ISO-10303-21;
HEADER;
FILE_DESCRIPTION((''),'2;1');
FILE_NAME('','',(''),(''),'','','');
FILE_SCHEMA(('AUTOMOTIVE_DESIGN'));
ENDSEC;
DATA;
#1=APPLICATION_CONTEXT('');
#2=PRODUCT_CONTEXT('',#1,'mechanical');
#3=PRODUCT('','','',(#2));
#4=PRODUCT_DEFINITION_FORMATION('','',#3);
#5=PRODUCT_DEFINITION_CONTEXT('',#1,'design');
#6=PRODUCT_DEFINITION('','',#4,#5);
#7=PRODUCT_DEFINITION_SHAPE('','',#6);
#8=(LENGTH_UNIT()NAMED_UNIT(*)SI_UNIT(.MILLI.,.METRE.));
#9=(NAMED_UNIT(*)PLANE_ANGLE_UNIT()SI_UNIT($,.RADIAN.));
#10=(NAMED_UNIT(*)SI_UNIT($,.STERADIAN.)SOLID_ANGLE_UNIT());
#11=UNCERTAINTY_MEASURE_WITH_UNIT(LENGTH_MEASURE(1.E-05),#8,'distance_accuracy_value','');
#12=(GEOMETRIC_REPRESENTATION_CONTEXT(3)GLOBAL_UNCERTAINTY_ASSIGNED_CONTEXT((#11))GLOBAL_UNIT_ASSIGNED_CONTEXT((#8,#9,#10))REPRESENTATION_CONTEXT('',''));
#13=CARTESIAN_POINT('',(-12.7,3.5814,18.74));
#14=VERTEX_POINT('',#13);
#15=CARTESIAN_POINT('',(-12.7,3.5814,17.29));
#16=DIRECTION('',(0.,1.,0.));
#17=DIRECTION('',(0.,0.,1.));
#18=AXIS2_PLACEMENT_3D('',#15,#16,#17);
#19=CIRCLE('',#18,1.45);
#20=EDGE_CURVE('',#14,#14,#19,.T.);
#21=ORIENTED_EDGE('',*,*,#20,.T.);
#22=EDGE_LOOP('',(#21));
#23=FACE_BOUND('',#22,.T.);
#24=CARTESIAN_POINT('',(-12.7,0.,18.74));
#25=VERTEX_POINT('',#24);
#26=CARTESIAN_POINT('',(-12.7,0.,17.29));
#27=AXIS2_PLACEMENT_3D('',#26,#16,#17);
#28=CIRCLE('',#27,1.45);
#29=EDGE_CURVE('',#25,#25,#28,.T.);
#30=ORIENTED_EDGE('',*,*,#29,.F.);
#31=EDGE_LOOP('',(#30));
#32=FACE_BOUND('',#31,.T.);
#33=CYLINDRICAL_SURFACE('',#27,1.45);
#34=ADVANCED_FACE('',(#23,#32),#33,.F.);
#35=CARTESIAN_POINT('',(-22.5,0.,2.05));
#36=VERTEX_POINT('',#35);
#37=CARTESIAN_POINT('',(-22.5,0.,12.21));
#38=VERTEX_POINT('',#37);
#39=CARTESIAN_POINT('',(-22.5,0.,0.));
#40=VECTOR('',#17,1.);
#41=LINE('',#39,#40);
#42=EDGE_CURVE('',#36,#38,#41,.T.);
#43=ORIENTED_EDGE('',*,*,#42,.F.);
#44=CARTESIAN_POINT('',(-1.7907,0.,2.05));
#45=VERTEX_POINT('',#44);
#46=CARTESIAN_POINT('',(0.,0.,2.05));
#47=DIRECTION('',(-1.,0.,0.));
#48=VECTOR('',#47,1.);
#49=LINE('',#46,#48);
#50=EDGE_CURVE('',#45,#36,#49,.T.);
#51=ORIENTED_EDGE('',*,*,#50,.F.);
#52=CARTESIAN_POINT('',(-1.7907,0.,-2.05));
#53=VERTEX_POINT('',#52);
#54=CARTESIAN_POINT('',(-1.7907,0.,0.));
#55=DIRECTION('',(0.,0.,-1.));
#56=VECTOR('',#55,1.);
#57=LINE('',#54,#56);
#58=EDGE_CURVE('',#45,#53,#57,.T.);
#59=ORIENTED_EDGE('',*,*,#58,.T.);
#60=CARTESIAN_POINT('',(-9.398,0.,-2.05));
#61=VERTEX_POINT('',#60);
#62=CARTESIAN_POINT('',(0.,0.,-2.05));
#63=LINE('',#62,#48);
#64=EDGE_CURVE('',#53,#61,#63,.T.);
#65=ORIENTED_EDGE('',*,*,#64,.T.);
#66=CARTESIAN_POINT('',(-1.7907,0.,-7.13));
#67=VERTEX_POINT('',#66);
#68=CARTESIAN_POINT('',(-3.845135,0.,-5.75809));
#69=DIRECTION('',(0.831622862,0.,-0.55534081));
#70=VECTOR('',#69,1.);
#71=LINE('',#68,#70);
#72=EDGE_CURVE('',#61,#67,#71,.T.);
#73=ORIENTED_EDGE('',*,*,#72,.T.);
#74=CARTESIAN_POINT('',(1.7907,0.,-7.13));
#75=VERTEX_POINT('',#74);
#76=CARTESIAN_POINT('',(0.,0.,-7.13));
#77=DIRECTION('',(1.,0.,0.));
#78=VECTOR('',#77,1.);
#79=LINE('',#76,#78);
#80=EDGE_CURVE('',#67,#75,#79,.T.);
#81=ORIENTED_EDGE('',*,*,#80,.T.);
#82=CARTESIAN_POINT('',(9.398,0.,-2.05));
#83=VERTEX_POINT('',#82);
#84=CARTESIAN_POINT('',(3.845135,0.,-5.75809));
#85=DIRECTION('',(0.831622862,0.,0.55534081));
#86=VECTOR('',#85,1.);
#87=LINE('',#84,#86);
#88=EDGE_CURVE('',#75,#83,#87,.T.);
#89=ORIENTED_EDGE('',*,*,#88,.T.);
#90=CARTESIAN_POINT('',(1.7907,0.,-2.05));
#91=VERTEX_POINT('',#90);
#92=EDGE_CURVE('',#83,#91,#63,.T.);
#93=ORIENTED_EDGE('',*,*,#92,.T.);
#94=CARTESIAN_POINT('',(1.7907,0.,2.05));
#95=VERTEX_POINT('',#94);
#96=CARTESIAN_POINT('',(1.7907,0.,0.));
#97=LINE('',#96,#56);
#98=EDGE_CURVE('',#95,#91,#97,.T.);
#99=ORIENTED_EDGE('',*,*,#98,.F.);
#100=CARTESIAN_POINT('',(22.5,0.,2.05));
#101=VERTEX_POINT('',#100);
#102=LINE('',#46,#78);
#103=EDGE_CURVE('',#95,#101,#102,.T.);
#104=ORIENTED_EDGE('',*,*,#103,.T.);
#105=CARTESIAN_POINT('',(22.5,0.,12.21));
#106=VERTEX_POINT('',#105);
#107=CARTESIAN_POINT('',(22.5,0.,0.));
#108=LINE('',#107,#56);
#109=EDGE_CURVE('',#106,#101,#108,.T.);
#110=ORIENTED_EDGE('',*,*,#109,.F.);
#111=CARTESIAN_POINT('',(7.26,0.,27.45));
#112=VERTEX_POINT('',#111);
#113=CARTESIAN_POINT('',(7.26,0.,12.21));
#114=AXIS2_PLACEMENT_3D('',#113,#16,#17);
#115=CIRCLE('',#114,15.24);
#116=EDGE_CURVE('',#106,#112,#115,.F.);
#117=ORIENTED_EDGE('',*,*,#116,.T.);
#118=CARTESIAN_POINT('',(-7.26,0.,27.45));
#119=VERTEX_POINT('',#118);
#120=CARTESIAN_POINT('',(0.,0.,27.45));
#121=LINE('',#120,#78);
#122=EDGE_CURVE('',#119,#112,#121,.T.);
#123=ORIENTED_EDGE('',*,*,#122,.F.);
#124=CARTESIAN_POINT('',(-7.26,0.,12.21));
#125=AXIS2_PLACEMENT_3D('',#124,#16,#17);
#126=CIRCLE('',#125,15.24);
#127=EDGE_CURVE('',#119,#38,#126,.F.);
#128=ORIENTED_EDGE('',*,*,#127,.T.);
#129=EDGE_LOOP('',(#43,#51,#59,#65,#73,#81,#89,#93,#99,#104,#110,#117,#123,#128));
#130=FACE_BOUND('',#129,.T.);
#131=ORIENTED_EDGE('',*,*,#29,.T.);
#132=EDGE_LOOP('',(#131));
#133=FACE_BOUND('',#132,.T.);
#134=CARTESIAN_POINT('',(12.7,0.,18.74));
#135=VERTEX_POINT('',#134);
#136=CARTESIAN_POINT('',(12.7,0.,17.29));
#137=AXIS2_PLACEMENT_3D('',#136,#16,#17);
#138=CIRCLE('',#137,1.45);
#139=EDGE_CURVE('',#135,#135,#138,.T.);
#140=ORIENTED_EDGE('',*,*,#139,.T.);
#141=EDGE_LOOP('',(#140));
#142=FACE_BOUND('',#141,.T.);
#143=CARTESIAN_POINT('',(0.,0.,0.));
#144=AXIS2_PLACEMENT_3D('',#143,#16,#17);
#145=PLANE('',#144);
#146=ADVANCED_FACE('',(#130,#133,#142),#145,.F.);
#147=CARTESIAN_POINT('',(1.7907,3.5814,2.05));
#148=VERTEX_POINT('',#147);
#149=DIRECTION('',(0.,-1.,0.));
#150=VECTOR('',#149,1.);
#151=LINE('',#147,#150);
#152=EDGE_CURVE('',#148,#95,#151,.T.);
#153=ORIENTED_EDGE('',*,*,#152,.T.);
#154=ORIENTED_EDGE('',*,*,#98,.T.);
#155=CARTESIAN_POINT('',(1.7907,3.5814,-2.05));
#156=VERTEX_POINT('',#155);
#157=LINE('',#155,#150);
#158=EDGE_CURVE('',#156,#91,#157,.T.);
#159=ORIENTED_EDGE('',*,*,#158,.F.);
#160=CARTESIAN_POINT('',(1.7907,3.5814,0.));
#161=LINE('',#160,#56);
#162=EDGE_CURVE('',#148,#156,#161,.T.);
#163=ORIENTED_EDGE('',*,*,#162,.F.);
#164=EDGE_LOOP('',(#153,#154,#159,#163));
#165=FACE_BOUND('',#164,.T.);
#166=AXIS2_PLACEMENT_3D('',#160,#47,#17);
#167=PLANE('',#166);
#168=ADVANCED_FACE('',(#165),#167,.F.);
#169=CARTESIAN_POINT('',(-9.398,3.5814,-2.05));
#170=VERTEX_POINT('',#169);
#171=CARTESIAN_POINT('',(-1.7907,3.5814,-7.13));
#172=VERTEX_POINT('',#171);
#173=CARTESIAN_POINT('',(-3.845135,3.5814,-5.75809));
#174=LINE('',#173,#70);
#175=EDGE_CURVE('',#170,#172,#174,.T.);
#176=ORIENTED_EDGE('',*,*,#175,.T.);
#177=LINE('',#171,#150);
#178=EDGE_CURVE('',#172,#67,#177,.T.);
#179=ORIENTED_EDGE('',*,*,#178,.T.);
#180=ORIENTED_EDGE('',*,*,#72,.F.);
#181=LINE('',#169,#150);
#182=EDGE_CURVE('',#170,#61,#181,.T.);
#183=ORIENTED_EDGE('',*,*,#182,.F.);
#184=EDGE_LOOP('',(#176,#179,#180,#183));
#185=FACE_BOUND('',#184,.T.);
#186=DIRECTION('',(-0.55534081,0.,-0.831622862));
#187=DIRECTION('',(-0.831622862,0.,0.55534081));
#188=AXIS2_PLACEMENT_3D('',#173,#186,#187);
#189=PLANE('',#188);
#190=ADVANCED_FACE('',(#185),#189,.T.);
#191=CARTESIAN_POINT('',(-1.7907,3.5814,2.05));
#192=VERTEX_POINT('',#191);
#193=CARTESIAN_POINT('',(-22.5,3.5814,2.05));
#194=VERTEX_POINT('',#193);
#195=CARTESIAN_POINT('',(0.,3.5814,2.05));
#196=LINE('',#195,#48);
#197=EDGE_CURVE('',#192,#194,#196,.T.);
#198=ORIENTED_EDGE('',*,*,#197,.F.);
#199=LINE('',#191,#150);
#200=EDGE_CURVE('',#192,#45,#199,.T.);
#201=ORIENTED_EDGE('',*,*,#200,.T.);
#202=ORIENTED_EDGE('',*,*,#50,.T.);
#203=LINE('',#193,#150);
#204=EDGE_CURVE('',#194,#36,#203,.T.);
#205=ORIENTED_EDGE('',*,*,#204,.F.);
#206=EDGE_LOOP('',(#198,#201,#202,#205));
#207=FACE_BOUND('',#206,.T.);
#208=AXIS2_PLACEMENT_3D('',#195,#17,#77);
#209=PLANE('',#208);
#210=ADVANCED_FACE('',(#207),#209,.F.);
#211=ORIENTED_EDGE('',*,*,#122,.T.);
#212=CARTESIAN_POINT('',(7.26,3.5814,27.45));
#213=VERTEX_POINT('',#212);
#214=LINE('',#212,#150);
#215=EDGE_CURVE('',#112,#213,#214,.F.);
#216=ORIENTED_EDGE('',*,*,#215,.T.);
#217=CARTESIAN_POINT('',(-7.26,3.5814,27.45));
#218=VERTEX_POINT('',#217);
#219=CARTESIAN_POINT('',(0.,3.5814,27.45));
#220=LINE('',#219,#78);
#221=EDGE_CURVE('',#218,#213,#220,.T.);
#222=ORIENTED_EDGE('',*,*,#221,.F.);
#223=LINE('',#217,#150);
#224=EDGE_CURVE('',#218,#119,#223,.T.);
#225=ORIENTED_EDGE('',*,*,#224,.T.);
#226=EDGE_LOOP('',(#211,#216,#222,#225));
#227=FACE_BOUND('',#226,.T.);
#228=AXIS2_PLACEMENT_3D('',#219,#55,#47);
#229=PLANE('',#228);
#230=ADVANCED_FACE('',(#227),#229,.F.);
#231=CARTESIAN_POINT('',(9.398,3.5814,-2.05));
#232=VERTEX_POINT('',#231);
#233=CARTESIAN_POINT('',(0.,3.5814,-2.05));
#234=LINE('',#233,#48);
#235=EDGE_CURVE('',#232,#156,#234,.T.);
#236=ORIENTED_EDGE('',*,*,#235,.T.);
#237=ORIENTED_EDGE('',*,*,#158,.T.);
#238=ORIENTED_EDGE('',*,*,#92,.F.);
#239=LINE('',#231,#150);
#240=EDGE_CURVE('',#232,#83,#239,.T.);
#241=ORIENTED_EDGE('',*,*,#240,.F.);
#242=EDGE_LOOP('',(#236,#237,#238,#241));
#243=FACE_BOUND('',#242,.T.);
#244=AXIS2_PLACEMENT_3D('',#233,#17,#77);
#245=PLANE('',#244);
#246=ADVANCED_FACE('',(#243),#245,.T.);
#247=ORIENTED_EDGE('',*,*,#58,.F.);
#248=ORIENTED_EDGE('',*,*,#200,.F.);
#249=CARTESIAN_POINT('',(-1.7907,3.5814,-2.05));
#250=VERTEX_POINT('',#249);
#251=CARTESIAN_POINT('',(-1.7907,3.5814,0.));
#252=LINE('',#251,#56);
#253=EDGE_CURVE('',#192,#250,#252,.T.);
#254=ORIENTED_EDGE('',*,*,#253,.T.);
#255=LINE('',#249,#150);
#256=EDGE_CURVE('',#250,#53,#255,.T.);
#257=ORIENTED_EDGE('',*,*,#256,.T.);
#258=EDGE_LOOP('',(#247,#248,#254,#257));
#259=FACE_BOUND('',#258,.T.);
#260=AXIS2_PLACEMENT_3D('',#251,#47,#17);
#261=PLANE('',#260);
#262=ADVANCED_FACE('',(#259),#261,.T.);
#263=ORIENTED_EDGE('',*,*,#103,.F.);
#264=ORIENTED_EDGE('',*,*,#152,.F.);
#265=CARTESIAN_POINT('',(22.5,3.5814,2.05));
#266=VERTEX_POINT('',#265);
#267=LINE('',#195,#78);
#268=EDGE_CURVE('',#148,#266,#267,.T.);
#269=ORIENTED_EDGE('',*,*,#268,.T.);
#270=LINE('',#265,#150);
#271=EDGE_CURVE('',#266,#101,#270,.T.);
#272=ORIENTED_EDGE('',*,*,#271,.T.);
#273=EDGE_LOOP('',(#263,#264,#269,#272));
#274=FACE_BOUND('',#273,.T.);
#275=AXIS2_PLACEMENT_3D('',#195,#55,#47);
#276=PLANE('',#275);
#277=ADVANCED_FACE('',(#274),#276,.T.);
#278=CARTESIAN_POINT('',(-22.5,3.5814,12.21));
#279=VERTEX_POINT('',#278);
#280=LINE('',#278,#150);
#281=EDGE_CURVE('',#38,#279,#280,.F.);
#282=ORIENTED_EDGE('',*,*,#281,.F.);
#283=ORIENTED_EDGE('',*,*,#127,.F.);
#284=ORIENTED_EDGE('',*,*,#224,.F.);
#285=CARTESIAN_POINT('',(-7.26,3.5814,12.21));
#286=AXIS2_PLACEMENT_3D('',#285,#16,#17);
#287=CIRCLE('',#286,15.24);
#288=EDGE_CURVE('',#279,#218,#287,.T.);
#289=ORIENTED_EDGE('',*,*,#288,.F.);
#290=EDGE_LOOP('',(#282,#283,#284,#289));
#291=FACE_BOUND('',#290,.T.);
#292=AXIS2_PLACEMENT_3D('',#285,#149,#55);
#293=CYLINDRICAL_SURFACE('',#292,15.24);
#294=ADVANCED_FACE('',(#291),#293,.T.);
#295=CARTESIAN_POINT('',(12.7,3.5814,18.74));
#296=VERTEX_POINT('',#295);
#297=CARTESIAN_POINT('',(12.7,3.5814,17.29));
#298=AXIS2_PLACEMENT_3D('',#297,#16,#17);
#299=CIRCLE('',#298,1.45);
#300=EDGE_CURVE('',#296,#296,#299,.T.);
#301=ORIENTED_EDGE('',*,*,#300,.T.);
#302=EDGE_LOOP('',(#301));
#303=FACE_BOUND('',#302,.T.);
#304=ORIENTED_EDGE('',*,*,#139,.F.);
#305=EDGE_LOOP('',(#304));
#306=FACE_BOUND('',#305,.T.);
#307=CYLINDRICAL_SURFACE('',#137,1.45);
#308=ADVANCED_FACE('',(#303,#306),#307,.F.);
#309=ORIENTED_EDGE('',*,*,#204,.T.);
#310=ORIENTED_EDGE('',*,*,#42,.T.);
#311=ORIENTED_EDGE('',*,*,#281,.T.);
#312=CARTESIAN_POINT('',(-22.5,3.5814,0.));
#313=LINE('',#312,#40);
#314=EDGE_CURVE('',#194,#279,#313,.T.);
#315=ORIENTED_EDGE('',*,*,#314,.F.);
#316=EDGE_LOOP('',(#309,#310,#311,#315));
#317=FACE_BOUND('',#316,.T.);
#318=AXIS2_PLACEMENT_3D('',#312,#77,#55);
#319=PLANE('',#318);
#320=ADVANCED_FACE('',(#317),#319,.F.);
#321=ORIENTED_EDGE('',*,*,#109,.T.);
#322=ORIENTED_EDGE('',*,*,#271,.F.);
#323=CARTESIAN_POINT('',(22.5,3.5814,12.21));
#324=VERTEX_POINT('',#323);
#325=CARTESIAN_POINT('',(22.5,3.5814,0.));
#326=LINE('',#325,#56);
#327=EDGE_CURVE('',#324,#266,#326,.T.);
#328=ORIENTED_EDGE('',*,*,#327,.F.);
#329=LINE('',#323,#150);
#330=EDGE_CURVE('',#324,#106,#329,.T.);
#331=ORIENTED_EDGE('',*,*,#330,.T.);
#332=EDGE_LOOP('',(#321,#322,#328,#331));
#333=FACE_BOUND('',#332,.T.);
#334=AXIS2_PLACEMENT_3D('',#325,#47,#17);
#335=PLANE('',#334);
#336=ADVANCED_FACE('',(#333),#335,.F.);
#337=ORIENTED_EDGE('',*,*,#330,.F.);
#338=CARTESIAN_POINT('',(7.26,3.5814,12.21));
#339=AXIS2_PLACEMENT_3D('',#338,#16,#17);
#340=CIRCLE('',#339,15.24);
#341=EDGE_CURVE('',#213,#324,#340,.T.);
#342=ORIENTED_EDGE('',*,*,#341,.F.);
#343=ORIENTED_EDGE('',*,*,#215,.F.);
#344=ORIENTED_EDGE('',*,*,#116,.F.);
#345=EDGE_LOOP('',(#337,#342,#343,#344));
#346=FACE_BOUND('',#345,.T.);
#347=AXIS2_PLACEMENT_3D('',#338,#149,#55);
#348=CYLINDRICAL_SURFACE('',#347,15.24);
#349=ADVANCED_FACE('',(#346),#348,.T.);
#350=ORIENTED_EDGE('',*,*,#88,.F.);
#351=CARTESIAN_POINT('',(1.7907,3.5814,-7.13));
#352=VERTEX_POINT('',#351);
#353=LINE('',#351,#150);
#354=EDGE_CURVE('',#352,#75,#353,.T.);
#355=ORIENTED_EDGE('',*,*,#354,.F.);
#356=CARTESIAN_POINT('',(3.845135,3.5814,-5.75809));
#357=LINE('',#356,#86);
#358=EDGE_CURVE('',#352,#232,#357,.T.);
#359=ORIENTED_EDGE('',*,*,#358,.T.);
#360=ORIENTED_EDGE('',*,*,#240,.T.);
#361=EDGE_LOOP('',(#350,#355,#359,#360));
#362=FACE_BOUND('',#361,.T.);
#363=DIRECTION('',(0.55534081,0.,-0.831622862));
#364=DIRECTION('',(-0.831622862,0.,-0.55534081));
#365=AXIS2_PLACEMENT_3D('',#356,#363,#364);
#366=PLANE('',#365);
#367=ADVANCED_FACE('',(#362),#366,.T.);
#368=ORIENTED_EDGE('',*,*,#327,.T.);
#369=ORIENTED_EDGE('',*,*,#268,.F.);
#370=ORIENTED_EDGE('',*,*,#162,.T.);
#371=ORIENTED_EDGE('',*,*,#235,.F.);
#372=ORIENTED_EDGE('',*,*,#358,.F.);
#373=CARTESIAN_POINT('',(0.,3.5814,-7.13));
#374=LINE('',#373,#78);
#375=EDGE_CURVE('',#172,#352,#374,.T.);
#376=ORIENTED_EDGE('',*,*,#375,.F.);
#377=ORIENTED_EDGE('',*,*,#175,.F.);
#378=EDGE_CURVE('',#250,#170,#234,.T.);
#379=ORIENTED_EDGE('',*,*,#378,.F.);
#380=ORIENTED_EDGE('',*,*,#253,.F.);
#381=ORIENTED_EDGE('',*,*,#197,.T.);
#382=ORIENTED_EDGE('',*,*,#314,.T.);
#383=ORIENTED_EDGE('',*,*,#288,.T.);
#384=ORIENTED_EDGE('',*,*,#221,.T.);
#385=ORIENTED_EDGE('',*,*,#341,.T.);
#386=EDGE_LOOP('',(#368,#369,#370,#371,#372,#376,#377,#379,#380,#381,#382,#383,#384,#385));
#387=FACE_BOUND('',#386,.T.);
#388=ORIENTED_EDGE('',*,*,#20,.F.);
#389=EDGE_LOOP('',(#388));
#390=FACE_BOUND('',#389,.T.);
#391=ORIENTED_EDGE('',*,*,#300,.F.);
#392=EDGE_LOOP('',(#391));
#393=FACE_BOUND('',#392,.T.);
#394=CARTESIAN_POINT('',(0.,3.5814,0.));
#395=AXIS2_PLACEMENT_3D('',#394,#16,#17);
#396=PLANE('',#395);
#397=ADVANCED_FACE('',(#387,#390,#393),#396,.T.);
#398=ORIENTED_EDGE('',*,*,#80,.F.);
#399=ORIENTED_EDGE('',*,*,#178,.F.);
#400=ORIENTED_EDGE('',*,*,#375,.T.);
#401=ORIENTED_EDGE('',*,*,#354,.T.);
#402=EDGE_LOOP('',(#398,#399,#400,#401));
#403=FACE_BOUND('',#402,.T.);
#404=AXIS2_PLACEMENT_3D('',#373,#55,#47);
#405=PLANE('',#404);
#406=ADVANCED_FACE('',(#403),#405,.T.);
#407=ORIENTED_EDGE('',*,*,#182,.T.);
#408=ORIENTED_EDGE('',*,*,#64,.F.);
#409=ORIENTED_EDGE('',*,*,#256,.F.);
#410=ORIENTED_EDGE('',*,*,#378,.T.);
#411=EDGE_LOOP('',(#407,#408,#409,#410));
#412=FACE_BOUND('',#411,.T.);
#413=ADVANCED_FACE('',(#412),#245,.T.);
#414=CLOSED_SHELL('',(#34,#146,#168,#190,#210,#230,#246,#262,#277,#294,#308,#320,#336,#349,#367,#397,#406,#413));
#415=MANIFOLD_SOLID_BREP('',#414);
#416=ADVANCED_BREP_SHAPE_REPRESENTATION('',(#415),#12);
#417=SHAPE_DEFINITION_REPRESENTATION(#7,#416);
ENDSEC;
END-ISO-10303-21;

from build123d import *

# Parameters (mm, degrees)
BOSS_EXTRUDE1_DEPTH = 3.5814
SKETCH2_R           = 1.45
CUT_EXTRUDE1_DEPTH  = 36.673224216
FILLET1_R           = 15.24


with BuildPart() as part:
    # Sketch1 → Boss-Extrude1 (new body)
    with BuildSketch(Plane(origin=(0, 0, 0), x_dir=(1, 0, 0), z_dir=(0, 1, 0))):
        Polygon((-22.5, -27.45), (22.5, -27.45), (22.5, -2.05), (1.7907, -2.05), (1.7907, 2.05), (9.398, 2.05), (1.7907, 7.13), (-1.7907, 7.13), (-9.398, 2.05), (-1.7907, 2.05), (-1.7907, -2.05), (-22.5, -2.05), align=None)
    extrude(amount=BOSS_EXTRUDE1_DEPTH)

    # Sketch2 → Cut-Extrude1 (cut, through all)
    with BuildSketch(Plane(origin=(0, 3.5814, 0), x_dir=(1, 0, 0), z_dir=(0, 1, 0))):
        with Locations(Location((-12.7, -17.29, 0), (0, 0, 270))):
            Circle(SKETCH2_R)
        with Locations(Location((12.7, -17.29, 0), (0, 0, 270))):
            Circle(SKETCH2_R)
    extrude(amount=-CUT_EXTRUDE1_DEPTH, mode=Mode.SUBTRACT)

    # Fillet1
    fillet1_edges = [part.edges().sort_by_distance(p)[0] for p in [
        (-22.5, 1.7907, 27.45),
        (22.5, 1.7907, 27.45),
    ]]
    fillet(fillet1_edges, radius=FILLET1_R)


solid = part.part
